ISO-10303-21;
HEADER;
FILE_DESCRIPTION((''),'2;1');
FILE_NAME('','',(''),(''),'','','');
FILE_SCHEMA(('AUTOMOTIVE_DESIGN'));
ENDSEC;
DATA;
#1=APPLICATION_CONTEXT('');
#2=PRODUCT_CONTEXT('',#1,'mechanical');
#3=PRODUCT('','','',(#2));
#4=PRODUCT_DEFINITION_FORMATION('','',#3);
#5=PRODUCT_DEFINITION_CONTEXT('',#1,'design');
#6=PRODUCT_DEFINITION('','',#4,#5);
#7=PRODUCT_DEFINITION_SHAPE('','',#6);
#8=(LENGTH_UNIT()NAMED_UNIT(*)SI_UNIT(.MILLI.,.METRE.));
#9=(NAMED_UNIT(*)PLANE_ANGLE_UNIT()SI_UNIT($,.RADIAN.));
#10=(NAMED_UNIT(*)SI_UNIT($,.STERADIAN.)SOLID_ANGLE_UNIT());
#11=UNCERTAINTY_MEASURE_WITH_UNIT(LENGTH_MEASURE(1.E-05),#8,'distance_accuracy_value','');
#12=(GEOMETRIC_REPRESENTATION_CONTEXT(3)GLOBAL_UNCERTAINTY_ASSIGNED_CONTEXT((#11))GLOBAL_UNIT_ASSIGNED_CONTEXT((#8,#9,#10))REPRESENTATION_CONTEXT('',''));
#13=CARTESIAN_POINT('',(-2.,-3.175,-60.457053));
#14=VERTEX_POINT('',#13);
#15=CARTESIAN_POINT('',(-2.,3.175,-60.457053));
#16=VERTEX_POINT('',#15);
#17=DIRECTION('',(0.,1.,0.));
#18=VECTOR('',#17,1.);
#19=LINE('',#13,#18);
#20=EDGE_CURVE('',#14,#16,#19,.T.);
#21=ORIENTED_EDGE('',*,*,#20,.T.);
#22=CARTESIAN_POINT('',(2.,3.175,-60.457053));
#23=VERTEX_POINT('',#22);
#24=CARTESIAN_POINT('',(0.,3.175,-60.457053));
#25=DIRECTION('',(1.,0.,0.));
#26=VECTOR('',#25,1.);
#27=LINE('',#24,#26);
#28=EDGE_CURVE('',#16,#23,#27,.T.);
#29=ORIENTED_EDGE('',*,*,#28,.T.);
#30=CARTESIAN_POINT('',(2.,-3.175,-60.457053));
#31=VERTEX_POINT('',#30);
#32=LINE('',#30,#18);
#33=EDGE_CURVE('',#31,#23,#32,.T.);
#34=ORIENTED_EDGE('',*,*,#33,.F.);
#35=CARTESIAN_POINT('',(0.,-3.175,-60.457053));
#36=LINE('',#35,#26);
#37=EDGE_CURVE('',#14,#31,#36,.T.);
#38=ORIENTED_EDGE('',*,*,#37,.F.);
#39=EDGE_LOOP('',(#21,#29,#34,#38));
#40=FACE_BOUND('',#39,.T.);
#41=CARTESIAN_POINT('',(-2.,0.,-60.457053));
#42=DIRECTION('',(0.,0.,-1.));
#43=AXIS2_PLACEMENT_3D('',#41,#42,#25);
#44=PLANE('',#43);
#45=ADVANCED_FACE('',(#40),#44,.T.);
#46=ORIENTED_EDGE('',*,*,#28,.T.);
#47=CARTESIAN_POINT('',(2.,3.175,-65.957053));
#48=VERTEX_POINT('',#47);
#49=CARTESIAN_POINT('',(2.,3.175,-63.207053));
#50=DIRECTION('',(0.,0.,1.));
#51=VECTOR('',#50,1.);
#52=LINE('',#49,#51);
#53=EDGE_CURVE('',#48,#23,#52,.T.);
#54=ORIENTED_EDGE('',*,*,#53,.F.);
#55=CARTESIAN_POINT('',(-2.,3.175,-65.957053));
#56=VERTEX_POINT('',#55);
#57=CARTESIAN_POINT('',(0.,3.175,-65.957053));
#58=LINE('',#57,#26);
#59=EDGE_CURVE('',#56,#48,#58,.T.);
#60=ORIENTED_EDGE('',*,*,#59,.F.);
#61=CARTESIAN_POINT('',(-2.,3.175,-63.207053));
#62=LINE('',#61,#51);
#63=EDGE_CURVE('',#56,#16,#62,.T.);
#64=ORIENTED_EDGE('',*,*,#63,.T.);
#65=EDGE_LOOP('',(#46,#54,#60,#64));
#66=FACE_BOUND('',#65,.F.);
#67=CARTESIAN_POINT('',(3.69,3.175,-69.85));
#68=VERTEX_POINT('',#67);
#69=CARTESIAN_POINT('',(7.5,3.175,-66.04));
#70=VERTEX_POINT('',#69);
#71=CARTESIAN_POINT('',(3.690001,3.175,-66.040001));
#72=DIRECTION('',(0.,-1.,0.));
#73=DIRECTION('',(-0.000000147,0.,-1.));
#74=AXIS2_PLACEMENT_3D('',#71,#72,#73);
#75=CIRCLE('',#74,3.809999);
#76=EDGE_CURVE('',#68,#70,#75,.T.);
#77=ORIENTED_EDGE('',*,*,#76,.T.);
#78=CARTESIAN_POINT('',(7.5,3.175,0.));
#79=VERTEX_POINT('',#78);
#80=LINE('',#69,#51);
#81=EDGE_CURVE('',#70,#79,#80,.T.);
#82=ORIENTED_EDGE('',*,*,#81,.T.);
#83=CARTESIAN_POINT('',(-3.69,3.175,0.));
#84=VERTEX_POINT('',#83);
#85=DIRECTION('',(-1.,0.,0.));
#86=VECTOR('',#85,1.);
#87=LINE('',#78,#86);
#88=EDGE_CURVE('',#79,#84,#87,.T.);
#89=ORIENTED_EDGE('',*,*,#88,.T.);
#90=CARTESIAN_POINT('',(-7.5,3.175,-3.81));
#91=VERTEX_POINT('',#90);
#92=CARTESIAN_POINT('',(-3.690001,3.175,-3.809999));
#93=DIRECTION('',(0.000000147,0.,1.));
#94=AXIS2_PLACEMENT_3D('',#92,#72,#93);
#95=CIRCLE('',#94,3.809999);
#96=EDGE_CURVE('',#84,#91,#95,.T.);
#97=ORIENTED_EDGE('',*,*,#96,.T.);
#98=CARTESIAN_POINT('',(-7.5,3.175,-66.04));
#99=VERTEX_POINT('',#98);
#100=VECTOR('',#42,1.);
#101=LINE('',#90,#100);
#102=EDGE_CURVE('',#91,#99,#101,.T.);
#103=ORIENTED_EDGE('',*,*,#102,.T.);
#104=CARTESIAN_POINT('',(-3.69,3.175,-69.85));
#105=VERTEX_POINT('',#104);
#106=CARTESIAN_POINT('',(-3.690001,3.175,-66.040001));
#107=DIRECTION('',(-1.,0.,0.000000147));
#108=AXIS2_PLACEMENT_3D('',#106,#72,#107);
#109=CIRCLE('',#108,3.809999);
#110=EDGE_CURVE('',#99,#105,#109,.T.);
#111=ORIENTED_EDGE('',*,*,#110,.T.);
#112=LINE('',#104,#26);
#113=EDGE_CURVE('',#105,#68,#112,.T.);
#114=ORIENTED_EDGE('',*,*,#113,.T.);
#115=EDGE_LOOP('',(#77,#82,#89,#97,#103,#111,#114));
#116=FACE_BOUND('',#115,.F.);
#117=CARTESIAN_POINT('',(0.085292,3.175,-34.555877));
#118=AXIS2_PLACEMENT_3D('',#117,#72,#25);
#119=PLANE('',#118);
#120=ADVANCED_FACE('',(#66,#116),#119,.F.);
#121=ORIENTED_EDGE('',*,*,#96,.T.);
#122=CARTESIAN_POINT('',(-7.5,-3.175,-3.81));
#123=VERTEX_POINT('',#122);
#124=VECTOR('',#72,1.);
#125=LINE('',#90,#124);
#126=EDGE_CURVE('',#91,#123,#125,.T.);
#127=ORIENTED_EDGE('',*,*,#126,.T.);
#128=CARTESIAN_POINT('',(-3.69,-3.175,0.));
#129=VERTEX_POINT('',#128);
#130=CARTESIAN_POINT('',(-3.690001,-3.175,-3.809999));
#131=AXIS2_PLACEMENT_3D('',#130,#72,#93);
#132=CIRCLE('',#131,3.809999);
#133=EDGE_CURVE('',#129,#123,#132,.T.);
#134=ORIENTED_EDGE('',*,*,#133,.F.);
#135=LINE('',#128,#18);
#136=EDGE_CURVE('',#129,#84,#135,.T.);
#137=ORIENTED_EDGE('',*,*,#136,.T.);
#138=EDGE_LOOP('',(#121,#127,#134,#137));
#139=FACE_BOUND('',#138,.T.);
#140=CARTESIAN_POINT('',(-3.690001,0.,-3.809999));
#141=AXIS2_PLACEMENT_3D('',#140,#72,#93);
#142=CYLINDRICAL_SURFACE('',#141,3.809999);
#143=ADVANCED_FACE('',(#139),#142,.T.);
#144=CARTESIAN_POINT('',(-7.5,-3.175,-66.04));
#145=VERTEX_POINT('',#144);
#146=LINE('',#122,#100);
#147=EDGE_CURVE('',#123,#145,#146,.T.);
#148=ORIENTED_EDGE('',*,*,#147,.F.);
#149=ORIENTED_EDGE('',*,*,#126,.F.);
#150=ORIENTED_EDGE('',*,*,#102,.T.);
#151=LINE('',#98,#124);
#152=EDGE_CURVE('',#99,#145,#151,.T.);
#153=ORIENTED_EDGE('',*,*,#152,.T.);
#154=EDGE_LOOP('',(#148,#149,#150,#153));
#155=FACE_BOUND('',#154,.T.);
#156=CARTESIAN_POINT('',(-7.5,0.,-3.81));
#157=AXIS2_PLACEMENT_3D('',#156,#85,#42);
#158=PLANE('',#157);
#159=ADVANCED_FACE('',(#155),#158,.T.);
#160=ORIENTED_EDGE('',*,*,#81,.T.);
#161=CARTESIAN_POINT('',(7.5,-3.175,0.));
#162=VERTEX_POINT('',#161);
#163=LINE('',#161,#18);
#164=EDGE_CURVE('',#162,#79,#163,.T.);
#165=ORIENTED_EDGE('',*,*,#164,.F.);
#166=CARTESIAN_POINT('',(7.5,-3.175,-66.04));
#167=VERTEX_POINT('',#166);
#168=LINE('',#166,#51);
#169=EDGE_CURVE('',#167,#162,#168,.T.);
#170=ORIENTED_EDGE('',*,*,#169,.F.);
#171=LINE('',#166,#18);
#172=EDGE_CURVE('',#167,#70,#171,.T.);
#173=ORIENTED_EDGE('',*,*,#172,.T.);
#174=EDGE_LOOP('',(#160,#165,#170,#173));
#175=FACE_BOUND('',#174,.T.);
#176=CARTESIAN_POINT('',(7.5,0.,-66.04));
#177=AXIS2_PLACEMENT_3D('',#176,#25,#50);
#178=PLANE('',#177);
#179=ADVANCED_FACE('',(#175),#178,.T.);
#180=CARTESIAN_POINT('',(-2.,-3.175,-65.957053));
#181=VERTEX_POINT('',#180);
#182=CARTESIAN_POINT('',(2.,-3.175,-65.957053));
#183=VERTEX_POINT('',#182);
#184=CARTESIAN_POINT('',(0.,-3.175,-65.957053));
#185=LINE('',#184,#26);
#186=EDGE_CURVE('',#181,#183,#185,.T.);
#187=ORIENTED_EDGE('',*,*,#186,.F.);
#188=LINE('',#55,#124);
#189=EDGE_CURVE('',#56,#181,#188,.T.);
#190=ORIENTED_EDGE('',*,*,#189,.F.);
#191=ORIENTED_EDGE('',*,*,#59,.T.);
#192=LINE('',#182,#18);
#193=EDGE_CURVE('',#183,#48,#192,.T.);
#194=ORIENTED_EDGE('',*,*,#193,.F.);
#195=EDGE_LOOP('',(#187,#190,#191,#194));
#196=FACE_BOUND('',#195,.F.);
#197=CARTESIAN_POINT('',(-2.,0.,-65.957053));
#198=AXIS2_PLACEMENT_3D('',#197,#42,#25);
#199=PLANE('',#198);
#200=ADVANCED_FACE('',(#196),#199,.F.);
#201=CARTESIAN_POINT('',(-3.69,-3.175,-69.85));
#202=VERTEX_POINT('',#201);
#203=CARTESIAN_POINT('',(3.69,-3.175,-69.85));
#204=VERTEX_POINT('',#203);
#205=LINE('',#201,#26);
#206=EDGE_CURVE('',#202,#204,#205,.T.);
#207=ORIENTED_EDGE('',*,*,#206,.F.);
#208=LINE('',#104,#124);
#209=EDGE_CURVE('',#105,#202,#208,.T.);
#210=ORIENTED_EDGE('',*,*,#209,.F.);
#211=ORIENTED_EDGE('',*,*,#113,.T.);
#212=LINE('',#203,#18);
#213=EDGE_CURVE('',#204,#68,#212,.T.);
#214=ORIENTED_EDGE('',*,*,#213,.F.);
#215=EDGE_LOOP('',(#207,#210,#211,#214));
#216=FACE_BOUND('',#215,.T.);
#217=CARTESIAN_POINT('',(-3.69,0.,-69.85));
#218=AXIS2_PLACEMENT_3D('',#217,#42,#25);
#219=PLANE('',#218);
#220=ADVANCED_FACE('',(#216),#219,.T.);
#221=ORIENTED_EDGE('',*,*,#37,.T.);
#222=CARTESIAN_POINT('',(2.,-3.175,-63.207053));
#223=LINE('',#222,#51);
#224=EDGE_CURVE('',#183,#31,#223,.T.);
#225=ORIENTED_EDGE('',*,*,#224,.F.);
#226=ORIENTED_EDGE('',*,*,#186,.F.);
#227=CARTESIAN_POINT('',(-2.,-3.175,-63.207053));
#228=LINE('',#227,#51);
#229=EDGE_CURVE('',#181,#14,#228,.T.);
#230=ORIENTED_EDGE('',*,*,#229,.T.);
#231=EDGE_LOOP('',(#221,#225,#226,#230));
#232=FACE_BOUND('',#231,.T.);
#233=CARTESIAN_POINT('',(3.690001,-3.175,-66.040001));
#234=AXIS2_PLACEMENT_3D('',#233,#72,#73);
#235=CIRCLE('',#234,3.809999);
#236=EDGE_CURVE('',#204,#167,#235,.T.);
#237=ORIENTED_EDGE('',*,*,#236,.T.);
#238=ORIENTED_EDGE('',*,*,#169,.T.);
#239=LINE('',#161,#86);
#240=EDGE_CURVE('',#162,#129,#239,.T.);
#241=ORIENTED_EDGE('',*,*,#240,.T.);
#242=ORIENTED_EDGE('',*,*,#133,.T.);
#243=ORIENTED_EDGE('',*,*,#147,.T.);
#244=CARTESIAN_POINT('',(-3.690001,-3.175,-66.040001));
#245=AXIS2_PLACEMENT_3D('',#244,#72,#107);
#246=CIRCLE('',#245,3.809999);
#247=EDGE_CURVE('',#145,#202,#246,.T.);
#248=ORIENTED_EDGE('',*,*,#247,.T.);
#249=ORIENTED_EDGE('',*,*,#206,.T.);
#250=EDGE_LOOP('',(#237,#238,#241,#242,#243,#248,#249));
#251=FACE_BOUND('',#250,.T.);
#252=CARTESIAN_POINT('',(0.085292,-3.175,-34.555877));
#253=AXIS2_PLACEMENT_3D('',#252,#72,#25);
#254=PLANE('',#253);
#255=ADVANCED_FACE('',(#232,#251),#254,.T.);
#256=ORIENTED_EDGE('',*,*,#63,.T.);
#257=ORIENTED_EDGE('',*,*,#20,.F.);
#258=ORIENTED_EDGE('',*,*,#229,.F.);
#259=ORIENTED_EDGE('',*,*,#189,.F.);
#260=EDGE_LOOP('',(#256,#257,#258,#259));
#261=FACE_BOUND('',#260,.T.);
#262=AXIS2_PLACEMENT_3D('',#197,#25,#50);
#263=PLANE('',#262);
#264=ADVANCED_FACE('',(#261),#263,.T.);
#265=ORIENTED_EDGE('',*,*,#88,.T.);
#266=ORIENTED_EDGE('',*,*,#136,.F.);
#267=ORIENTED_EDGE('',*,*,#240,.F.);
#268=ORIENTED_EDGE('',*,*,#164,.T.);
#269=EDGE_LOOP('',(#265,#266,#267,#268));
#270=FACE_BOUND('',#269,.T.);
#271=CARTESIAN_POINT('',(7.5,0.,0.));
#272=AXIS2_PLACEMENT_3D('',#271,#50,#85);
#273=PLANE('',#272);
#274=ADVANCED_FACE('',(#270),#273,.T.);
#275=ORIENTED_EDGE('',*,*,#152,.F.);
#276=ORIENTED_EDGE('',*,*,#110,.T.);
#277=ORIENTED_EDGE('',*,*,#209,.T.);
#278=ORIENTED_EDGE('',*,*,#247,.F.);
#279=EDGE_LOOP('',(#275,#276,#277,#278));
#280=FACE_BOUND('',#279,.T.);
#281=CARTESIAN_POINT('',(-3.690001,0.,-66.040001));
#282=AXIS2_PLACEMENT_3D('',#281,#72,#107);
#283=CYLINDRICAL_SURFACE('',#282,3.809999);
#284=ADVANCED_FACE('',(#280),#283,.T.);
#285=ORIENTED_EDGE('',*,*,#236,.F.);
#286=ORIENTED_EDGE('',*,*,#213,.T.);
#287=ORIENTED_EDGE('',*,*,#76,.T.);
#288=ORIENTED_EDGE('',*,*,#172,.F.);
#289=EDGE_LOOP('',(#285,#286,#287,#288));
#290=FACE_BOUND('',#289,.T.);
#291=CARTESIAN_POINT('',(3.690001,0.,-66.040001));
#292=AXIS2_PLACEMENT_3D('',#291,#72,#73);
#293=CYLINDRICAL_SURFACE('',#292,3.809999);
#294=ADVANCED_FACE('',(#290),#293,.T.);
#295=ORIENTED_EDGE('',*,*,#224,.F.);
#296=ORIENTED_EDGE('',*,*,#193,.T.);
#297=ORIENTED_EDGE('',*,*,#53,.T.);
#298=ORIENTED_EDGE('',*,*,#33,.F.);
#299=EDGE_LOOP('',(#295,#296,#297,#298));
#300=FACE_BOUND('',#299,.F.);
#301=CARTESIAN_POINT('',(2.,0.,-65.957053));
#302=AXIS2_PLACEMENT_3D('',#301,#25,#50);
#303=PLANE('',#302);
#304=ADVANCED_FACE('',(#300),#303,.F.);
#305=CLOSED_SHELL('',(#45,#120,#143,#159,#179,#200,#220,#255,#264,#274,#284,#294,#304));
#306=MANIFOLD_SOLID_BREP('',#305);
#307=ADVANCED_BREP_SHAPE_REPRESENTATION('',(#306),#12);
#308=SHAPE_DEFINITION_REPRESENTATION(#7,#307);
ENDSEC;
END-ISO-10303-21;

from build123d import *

# Parameters (mm, degrees)
F0_W     = 4
F0_H     = 5.5
F1_DEPTH = 3.175


with BuildPart() as f1:
    # F0 (on Front) → F1 (new body, symmetric)
    with BuildSketch(Plane.XZ):
        with BuildLine():
            Line((3.69, 0), (-3.69, 0))
            ThreePointArc((-3.69, 0), (-6.384077, -1.115923), (-7.5, -3.81))
            Line((-7.5, -3.81), (-7.5, -66.04))
            ThreePointArc((-7.5, -66.04), (-6.384077, -68.734077), (-3.69, -69.85))
            Line((-3.69, -69.85), (3.69, -69.85))
            ThreePointArc((3.69, -69.85), (6.384077, -68.734077), (7.5, -66.04))
            Line((7.5, -66.04), (7.5, 0))
            Line((7.5, 0), (3.69, 0))
        make_face()
        with Locations((0, -63.207053)):
            Rectangle(F0_W, F0_H, mode=Mode.SUBTRACT)
    extrude(amount=F1_DEPTH, both=True)


solid = f1.part
